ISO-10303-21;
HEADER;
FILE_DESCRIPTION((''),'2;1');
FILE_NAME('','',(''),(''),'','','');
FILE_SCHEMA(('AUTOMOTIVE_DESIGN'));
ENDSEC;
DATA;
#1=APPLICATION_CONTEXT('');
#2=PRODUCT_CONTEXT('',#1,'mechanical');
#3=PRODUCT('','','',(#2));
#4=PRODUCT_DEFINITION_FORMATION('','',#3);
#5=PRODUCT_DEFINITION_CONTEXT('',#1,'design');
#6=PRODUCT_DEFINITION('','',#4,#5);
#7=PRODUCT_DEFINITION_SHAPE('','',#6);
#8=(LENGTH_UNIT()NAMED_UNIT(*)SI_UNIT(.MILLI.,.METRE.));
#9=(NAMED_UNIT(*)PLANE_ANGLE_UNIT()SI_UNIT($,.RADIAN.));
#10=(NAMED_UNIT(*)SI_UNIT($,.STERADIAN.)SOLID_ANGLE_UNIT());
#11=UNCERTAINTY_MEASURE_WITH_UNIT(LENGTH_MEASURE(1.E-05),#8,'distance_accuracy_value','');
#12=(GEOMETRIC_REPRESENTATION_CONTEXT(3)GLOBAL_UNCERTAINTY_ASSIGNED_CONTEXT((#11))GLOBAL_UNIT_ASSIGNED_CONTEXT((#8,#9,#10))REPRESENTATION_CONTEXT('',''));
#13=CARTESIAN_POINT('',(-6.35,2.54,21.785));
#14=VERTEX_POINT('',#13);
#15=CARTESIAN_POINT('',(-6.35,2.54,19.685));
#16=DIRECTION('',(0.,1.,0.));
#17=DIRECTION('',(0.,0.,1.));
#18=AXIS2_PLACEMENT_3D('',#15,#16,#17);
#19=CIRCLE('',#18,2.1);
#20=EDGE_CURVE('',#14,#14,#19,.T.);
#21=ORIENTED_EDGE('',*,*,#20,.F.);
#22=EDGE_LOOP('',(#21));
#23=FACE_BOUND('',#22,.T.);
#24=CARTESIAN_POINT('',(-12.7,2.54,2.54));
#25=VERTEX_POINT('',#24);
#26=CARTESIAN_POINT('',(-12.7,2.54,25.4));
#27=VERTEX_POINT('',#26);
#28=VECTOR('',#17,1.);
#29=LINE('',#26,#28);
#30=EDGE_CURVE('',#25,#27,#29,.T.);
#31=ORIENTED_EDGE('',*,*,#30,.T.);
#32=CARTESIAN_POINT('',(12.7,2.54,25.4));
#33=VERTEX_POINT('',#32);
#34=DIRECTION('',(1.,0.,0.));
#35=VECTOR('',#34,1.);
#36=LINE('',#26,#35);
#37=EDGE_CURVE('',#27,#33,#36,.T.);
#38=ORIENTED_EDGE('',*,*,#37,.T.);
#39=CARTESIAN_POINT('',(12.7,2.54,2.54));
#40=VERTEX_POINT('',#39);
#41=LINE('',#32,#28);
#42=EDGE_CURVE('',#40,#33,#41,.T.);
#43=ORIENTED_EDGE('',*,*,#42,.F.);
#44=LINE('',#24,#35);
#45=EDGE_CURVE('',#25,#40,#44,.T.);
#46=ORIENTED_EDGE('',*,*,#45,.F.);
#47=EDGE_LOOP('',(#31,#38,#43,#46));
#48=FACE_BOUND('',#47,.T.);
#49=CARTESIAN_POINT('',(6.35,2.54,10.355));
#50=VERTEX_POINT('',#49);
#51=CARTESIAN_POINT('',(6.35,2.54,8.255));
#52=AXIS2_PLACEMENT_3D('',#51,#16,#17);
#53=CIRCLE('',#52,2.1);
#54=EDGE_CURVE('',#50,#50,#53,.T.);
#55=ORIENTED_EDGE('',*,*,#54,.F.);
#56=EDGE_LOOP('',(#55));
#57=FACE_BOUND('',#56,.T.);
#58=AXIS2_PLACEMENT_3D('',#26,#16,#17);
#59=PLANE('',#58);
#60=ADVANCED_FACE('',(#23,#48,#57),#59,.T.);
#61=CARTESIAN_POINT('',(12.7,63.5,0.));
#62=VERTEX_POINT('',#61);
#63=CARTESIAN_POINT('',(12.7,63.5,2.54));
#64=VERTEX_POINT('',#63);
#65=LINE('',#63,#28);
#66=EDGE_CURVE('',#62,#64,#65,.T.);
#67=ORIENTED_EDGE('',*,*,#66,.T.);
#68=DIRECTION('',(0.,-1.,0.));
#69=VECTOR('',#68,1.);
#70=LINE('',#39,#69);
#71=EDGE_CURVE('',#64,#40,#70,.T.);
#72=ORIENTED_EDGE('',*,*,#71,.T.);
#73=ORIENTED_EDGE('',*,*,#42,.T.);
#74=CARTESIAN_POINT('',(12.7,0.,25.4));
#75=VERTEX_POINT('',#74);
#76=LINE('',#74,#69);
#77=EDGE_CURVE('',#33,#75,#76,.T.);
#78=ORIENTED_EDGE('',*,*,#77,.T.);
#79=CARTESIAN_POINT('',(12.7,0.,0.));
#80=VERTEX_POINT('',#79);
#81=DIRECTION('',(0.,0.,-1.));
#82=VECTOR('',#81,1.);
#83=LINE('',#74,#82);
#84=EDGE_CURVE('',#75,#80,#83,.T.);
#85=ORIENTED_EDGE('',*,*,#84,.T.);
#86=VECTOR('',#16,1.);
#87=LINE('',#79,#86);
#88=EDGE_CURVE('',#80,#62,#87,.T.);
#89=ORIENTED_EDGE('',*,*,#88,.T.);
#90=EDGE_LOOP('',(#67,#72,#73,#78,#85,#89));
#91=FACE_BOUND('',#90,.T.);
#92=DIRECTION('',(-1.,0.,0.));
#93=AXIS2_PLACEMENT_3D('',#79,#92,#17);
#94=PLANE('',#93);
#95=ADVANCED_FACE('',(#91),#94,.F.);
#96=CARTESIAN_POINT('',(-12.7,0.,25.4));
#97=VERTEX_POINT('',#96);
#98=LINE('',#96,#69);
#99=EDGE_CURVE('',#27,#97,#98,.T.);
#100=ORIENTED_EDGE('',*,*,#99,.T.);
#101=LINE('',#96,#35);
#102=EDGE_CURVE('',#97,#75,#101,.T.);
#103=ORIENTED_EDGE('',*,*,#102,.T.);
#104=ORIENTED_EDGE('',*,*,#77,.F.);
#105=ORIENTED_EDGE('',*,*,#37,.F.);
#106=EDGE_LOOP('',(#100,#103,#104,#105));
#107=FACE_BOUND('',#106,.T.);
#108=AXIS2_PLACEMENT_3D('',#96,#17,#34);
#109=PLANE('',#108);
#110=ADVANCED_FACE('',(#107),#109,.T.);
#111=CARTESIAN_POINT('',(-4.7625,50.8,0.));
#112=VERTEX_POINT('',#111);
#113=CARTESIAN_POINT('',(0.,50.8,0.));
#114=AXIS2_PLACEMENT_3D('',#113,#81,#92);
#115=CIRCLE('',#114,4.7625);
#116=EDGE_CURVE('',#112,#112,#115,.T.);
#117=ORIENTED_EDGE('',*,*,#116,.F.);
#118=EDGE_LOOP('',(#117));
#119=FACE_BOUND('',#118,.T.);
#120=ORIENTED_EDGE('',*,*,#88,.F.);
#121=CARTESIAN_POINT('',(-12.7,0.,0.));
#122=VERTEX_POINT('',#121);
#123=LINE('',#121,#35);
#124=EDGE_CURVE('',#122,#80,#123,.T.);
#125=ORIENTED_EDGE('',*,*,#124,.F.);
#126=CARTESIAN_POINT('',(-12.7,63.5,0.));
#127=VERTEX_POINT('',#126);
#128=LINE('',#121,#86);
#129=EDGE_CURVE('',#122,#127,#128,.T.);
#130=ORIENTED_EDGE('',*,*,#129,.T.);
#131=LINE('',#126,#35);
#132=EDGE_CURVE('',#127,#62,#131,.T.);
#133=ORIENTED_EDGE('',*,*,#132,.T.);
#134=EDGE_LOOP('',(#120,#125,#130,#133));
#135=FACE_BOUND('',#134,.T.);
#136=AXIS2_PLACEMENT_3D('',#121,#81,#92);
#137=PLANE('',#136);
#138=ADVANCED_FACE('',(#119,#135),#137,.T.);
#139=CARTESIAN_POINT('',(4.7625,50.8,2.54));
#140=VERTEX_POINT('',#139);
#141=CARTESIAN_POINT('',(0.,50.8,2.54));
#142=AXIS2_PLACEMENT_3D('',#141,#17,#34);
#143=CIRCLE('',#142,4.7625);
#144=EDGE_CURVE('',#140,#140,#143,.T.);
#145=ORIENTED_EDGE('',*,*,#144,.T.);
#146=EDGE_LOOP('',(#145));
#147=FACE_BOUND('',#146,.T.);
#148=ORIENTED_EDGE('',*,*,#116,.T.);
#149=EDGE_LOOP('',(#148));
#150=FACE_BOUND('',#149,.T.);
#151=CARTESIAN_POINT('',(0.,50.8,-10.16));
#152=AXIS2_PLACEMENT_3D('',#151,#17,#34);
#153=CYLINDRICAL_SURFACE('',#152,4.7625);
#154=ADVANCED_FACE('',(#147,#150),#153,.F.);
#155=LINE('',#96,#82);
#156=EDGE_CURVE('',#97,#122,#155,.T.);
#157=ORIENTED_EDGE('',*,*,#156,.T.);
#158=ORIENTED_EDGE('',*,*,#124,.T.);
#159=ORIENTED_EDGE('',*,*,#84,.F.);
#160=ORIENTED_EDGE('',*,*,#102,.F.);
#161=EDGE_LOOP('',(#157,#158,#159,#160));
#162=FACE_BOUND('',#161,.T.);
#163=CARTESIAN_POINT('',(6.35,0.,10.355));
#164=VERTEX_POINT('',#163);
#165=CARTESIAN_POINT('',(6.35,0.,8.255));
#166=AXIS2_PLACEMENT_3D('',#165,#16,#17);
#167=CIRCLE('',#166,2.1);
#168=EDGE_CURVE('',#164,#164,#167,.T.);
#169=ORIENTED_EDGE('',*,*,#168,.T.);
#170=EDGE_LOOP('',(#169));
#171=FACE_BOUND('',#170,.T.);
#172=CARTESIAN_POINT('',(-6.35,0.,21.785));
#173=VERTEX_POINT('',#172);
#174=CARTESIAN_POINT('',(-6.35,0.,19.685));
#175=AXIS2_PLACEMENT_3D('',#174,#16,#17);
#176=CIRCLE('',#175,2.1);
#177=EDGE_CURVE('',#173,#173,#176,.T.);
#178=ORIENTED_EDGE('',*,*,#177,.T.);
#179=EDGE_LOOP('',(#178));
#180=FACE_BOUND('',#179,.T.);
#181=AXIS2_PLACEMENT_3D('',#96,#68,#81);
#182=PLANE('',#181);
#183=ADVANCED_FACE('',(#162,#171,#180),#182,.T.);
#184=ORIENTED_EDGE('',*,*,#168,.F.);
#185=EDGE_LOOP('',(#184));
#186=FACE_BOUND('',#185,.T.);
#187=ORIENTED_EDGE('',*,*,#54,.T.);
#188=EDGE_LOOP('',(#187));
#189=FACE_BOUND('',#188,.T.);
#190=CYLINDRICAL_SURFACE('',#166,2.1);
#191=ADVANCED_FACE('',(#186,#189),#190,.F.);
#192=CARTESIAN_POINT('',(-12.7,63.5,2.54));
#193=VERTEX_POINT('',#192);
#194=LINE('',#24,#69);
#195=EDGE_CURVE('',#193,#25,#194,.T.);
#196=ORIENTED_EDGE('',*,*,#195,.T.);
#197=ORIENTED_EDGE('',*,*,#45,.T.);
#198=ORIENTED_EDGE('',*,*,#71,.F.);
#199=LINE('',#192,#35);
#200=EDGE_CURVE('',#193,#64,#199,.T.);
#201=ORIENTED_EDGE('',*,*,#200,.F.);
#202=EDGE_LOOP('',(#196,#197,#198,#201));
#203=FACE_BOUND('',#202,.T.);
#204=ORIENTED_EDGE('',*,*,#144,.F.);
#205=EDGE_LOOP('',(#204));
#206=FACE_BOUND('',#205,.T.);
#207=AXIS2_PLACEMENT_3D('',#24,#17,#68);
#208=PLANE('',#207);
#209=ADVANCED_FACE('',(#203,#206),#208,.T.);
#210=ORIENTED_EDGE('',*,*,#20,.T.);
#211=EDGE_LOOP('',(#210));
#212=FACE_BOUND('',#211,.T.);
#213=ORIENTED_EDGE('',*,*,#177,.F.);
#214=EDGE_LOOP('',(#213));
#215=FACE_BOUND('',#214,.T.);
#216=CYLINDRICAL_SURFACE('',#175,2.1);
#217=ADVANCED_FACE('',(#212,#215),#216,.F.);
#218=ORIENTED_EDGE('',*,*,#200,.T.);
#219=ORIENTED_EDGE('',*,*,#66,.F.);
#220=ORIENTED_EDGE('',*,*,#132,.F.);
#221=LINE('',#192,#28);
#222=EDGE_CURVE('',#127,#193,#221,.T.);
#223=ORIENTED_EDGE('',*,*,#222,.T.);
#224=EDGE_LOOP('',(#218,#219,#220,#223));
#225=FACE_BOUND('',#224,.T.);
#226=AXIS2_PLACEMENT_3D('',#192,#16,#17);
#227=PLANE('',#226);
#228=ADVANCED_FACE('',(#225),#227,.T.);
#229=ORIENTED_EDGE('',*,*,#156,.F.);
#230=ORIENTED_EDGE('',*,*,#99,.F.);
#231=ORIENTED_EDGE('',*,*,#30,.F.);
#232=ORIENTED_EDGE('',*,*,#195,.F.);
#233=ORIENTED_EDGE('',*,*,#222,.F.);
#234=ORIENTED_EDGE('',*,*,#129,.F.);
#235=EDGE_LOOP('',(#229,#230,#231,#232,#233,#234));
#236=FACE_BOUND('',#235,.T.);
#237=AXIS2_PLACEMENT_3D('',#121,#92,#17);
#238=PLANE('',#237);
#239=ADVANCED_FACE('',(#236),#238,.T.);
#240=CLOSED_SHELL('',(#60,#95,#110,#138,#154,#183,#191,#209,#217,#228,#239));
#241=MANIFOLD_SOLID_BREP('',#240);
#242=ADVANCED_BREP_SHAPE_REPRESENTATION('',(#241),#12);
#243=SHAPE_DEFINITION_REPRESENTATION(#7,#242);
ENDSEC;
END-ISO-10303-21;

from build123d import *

# Parameters (mm, degrees)
BOSS_EXTRUDE1_DEPTH      = 12.7
BOSS_EXTRUDE1_DEPTH_BACK = 12.7
SKETCH2_R                = 4.7625
CUT_EXTRUDE1_DEPTH       = 12.7
SKETCH4_R                = 2.1
CUT_EXTRUDE2_DEPTH       = 68.250067658


with BuildPart() as part:
    # Sketch1 → Boss-Extrude1 (new, two sides: drawn at the far end of the back side and taken through both)
    with BuildSketch(Plane(origin=(0, 0, 0), x_dir=(0, 0, -1), z_dir=(1, 0, 0)).offset(-BOSS_EXTRUDE1_DEPTH_BACK)):
        Polygon((-25.4, 0), (0, 0), (0, 63.5), (-2.54, 63.5), (-2.54, 2.54), (-25.4, 2.54), align=None)
    extrude(amount=BOSS_EXTRUDE1_DEPTH + BOSS_EXTRUDE1_DEPTH_BACK)

    # Sketch2 → Cut-Extrude1 (cut)
    with BuildSketch(Plane.XY.offset(2.54)):
        with Locations((0, 50.8)):
            Circle(SKETCH2_R)
    extrude(amount=-CUT_EXTRUDE1_DEPTH, mode=Mode.SUBTRACT)

    # Sketch4 → Cut-Extrude2 (cut, through all)
    with BuildSketch(Plane(origin=(0, 2.54, 0), x_dir=(1, 0, 0), z_dir=(0, 1, 0))):
        with Locations((6.35, -8.255)):
            Circle(SKETCH4_R)
        with Locations((-6.35, -19.685)):
            Circle(SKETCH4_R)
    extrude(amount=-CUT_EXTRUDE2_DEPTH, mode=Mode.SUBTRACT)


solid = part.part
